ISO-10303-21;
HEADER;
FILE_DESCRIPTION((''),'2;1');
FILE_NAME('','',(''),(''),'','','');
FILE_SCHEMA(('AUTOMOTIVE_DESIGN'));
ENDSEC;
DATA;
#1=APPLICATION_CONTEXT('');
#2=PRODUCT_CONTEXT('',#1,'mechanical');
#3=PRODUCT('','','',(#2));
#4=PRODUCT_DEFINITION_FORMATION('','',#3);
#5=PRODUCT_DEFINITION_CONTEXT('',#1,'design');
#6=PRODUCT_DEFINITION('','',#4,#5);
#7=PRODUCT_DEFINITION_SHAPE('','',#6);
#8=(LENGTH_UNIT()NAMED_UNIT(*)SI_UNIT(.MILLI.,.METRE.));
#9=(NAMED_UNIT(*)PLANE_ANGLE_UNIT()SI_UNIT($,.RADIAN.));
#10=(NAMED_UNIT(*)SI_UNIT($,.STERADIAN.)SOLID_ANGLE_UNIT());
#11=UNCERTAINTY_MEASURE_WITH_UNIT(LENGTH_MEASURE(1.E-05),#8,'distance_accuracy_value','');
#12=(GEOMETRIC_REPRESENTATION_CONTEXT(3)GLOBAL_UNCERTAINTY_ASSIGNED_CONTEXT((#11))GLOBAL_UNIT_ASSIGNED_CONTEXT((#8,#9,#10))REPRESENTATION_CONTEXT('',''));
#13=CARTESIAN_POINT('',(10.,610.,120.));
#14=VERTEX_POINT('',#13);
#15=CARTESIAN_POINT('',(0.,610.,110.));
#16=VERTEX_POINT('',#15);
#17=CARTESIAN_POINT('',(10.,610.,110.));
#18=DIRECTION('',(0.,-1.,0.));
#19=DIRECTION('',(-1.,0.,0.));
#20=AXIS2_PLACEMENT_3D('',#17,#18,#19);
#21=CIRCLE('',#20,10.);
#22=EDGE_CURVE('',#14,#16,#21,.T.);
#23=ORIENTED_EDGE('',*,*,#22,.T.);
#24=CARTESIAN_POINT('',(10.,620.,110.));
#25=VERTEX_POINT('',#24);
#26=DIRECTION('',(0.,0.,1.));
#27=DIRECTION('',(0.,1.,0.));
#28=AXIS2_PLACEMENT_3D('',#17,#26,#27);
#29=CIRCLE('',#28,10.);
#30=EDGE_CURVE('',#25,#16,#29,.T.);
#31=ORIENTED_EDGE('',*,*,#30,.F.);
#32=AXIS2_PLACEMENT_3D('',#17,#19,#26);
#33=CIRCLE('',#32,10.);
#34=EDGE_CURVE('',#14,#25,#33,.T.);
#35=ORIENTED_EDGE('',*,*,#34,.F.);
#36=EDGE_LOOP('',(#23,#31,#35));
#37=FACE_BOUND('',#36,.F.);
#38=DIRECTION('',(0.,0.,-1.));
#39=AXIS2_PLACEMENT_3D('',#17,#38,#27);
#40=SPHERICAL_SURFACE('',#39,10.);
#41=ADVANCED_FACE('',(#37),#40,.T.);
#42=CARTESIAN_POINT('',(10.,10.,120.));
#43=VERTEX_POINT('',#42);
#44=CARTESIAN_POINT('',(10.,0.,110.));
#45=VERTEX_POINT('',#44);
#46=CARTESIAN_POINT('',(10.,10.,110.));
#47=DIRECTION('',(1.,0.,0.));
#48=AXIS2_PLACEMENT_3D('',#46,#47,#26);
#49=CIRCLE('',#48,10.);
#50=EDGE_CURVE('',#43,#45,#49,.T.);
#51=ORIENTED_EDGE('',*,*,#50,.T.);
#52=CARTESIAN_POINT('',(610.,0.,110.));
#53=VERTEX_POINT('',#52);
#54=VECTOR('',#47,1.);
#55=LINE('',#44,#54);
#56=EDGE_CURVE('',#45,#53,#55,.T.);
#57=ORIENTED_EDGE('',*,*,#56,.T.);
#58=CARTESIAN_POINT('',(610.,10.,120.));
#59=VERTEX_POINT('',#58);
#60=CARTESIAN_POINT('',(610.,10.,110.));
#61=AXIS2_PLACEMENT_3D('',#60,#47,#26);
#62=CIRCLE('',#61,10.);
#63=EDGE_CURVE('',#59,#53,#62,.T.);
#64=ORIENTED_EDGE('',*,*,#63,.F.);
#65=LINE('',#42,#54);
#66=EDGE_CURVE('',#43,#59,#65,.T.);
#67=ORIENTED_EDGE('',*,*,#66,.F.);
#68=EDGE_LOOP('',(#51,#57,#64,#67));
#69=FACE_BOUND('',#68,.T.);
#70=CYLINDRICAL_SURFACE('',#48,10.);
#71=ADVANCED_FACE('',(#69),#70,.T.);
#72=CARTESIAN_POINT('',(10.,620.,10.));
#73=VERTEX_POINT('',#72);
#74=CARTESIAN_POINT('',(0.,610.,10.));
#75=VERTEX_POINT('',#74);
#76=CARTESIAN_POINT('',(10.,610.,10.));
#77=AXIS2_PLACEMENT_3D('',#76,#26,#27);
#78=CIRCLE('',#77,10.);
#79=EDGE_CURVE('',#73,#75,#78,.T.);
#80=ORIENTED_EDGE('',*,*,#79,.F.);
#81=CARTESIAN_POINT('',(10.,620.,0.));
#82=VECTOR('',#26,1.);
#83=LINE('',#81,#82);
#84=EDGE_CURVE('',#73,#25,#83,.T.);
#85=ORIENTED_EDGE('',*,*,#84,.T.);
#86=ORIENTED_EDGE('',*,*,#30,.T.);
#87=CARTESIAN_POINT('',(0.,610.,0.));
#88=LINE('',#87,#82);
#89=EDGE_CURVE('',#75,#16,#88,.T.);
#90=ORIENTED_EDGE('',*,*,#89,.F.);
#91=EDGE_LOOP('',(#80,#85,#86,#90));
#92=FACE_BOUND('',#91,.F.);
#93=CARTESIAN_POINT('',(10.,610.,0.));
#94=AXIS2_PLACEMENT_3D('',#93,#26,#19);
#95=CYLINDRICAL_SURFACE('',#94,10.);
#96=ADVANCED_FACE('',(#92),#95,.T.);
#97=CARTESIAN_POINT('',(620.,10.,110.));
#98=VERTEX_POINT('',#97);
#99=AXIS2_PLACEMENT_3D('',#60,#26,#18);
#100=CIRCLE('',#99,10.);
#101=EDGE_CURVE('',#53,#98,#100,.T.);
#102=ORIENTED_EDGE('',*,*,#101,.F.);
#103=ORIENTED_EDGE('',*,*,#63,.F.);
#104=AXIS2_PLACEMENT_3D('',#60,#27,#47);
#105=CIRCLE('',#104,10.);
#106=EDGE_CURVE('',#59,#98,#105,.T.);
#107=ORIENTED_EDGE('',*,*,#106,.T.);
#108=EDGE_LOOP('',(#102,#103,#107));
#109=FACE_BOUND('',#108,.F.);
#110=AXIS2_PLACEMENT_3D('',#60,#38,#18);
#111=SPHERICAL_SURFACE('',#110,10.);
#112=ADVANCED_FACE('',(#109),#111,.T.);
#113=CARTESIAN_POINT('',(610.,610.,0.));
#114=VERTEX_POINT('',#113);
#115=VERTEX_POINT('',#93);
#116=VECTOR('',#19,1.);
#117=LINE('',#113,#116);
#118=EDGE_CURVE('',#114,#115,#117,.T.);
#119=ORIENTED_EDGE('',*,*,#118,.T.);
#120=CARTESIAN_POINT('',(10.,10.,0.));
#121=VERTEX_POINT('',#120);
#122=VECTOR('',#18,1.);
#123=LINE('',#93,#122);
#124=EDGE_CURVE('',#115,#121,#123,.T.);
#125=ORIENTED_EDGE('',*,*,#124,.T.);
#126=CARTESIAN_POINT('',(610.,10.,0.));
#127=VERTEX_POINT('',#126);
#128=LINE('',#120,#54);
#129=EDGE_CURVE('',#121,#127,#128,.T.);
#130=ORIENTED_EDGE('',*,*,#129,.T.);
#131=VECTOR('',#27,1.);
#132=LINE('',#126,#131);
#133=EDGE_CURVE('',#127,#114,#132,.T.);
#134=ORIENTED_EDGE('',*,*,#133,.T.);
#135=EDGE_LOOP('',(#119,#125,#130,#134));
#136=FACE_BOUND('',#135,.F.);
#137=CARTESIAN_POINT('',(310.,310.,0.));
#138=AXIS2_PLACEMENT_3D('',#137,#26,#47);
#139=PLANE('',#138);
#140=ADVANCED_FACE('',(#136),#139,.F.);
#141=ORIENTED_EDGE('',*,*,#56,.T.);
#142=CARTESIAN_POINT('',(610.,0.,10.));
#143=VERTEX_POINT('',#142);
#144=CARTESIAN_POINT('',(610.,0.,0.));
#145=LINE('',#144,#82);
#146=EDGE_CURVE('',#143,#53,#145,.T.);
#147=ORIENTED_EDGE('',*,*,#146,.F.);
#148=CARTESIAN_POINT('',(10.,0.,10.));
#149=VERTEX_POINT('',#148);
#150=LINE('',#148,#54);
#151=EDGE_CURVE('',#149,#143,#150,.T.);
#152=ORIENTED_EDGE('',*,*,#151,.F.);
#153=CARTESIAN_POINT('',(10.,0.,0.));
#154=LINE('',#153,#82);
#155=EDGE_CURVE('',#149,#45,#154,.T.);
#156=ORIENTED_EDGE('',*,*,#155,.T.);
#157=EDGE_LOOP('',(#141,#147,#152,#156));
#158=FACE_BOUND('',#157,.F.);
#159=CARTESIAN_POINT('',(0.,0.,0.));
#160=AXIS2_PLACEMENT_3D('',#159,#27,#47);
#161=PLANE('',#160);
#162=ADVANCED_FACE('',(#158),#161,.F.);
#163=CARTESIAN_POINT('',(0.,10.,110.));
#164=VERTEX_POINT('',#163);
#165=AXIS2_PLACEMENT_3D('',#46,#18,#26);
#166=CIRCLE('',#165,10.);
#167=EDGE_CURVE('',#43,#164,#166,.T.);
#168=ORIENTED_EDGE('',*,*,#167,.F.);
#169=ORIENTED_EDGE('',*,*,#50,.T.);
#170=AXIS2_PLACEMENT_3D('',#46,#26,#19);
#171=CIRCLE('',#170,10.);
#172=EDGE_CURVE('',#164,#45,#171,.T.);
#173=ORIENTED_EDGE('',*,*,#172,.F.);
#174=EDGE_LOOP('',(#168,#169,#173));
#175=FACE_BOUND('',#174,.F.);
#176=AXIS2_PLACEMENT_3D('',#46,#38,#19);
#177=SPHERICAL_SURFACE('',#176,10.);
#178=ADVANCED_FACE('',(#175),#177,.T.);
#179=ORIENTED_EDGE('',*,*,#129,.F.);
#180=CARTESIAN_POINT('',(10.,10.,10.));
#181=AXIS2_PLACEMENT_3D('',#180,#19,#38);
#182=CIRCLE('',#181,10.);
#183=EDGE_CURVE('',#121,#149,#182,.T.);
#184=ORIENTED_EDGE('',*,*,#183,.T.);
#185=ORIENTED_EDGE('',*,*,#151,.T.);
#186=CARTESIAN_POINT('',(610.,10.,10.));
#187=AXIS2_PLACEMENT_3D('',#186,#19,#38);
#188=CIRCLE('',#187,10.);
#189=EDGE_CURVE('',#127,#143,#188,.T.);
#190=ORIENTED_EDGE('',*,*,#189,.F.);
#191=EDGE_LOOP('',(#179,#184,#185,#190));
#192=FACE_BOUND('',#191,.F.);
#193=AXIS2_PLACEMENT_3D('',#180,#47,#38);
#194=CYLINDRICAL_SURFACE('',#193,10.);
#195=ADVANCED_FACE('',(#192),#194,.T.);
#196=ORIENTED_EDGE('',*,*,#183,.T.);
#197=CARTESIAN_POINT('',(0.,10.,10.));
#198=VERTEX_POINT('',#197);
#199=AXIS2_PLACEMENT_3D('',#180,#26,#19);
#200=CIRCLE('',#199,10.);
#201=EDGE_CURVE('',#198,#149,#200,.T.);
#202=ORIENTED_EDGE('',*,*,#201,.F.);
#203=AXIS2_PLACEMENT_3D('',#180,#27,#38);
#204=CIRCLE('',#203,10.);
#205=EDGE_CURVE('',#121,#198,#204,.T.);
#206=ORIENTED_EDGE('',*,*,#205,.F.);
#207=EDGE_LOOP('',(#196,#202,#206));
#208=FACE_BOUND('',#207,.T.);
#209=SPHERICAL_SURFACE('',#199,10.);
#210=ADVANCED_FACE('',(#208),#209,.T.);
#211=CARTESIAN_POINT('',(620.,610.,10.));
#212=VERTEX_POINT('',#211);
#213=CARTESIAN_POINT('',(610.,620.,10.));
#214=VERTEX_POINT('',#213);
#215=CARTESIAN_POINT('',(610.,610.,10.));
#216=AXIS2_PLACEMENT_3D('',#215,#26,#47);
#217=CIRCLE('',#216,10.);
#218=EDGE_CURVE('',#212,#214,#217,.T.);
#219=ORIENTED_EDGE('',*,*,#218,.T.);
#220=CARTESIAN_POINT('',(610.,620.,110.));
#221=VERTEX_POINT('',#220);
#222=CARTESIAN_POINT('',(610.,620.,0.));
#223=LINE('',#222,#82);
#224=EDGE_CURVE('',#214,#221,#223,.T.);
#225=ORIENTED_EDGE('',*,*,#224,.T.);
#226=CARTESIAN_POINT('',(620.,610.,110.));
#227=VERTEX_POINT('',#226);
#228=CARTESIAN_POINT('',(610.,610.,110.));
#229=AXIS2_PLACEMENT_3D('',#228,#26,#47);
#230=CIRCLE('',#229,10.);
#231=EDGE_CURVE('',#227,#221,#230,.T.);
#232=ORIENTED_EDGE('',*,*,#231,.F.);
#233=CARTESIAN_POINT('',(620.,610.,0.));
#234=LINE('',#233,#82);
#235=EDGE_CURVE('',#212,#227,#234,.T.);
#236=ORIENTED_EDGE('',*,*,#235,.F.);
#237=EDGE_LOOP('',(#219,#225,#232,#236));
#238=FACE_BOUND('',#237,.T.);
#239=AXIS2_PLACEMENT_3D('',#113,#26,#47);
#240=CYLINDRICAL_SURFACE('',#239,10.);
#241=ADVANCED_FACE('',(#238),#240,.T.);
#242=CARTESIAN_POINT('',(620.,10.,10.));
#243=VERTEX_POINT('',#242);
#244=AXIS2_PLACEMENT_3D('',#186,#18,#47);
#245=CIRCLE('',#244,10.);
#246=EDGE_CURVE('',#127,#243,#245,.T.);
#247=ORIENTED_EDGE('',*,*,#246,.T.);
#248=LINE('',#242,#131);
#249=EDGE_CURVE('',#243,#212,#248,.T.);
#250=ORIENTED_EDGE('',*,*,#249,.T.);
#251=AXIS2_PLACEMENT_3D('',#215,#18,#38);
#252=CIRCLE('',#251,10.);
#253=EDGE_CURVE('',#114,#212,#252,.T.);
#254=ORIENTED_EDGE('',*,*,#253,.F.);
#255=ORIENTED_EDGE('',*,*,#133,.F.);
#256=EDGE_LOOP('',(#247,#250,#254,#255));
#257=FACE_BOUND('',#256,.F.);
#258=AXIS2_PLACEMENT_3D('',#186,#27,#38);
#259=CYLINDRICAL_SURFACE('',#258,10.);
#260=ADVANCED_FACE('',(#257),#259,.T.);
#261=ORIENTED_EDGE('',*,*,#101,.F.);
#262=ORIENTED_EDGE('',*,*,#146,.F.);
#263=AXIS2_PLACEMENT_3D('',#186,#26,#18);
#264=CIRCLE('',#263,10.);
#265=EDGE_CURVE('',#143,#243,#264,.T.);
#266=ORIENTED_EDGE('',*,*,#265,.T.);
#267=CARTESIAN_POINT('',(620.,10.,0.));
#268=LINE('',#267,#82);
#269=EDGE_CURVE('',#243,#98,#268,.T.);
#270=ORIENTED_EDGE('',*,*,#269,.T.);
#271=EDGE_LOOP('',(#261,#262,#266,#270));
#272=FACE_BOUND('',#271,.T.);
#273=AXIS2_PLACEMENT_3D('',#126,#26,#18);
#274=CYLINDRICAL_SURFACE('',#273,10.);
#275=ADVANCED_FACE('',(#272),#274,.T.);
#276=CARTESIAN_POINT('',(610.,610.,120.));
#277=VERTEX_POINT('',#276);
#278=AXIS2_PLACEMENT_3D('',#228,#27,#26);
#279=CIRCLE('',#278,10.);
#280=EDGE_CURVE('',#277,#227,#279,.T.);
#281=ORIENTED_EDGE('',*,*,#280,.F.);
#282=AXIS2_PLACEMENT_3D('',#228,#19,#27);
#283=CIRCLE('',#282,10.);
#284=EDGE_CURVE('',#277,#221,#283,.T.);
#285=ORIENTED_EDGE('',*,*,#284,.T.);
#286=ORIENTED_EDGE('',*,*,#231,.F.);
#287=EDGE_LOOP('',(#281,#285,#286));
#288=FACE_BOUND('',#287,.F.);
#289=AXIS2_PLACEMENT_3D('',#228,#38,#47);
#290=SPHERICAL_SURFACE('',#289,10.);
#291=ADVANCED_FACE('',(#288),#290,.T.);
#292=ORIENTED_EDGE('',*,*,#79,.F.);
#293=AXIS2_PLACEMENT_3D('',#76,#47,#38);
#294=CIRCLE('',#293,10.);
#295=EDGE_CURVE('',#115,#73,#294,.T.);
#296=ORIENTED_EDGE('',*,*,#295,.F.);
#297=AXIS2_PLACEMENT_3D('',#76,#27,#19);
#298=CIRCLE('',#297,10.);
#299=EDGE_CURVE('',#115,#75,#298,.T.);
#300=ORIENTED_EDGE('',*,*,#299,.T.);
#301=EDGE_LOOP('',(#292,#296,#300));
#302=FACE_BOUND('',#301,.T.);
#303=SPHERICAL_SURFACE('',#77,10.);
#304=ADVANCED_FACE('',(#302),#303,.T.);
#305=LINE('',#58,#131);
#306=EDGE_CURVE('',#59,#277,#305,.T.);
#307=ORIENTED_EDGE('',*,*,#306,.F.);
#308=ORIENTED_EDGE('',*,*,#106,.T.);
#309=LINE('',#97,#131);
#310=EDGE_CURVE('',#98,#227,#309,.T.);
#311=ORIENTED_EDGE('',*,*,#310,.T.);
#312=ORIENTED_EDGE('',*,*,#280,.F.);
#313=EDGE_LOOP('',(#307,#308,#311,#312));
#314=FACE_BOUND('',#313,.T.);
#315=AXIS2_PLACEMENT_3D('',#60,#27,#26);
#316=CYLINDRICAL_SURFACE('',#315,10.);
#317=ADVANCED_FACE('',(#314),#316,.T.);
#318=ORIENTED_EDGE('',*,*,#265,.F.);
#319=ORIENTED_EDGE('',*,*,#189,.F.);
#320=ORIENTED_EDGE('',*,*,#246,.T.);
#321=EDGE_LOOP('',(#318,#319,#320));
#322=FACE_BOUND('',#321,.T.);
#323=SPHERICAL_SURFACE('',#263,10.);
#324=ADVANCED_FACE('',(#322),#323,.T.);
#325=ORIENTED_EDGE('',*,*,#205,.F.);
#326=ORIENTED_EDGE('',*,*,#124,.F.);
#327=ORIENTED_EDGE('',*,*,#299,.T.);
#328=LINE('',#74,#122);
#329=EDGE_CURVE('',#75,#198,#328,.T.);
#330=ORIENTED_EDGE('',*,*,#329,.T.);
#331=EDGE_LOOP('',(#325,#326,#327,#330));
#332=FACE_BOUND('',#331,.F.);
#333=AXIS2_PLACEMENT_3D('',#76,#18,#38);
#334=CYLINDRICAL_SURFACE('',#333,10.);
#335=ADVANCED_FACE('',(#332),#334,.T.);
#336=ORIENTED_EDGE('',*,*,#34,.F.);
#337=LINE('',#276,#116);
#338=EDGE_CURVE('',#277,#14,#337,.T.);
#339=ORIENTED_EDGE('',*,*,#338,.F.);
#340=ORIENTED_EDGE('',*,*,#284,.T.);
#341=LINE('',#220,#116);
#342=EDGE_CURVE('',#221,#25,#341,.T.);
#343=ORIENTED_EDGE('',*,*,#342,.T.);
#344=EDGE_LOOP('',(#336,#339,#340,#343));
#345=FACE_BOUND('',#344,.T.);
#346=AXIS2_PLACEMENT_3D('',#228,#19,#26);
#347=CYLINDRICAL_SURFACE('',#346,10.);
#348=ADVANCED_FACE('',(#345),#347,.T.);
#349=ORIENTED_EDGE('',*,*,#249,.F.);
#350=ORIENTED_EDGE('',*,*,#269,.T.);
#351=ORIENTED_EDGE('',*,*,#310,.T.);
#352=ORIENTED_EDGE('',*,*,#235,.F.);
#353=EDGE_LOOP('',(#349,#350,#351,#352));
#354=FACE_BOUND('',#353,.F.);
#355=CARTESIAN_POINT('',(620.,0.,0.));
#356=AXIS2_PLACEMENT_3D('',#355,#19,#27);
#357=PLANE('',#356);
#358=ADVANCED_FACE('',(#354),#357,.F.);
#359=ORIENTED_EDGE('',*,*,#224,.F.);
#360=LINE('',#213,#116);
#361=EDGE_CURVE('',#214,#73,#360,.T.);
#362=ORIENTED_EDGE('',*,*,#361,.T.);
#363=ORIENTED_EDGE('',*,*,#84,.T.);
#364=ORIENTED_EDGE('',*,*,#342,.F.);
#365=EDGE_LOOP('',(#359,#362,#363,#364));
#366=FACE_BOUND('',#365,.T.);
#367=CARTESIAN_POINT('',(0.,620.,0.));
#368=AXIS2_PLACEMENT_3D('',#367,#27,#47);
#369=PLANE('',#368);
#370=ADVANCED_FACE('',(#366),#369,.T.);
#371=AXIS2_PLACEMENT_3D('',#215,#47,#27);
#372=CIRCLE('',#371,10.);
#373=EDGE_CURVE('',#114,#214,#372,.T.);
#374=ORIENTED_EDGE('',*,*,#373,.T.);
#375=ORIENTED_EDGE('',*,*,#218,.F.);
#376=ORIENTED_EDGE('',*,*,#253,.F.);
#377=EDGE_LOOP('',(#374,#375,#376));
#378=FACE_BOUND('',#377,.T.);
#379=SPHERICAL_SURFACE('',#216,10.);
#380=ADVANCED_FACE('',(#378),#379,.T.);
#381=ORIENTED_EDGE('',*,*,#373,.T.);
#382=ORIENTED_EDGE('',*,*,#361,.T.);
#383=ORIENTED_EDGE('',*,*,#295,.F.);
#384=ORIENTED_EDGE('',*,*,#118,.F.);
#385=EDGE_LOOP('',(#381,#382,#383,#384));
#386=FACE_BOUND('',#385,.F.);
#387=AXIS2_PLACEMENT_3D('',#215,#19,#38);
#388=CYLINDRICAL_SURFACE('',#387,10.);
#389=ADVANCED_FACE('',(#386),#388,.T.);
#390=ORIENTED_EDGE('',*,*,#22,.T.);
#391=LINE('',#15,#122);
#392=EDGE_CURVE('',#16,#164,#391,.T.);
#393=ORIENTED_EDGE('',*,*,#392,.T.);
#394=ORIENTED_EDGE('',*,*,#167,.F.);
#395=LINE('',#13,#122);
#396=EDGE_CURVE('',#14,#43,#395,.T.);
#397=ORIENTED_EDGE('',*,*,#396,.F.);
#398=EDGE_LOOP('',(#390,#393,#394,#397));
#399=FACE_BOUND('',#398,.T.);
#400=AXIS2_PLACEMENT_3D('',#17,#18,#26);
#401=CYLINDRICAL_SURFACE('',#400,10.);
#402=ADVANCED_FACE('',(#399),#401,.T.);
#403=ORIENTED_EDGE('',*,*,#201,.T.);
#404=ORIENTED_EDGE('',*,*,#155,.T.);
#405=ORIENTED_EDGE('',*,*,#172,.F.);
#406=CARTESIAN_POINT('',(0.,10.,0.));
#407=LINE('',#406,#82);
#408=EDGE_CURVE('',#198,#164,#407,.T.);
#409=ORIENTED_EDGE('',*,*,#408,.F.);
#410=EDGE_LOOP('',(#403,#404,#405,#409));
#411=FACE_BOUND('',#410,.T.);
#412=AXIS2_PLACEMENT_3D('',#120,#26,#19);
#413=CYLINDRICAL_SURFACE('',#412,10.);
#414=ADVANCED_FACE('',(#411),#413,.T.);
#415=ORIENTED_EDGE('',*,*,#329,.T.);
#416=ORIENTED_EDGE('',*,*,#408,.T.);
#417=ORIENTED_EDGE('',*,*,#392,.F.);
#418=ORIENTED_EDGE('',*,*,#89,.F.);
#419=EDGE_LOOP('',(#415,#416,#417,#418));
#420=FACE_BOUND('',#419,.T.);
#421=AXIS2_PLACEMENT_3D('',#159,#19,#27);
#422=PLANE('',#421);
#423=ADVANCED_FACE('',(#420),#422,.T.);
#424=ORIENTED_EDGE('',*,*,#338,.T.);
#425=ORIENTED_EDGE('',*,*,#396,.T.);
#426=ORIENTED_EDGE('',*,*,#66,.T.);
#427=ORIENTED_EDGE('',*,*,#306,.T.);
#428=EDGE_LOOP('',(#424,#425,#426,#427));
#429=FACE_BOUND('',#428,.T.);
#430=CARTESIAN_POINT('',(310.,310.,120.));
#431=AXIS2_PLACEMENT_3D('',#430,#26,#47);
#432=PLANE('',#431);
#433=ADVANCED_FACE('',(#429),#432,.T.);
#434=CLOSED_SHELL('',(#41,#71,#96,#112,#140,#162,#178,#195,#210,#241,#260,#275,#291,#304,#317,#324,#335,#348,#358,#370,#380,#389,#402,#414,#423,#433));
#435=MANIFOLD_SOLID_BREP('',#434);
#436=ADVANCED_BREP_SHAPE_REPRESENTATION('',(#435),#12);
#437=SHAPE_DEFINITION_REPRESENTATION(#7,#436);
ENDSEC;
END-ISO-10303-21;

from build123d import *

# Parameters (mm, degrees)
F0_W     = 620
F0_H     = 620
F1_DEPTH = 120
F2_R     = 10
F3_R     = 10


with BuildPart() as f1:
    # F0 (on Top) → F1 (new body)
    with BuildSketch(Plane.XY):
        with Locations((310, 310)):
            Rectangle(F0_W, F0_H)
    extrude(amount=F1_DEPTH)

    # F2
    f2_edges = [f1.edges().sort_by_distance(p)[0] for p in [
        (620, 0, 60),
        (620, 620, 60),
        (0, 0, 60),
        (0, 620, 60),
    ]]
    fillet(f2_edges, radius=F2_R)

    # F3
    f3_edges = [f1.edges().sort_by_distance(p)[0] for p in [
        (310, 0, 120),
        (310, 0, 0),
    ]]
    fillet(f3_edges, radius=F3_R)


solid = f1.part
